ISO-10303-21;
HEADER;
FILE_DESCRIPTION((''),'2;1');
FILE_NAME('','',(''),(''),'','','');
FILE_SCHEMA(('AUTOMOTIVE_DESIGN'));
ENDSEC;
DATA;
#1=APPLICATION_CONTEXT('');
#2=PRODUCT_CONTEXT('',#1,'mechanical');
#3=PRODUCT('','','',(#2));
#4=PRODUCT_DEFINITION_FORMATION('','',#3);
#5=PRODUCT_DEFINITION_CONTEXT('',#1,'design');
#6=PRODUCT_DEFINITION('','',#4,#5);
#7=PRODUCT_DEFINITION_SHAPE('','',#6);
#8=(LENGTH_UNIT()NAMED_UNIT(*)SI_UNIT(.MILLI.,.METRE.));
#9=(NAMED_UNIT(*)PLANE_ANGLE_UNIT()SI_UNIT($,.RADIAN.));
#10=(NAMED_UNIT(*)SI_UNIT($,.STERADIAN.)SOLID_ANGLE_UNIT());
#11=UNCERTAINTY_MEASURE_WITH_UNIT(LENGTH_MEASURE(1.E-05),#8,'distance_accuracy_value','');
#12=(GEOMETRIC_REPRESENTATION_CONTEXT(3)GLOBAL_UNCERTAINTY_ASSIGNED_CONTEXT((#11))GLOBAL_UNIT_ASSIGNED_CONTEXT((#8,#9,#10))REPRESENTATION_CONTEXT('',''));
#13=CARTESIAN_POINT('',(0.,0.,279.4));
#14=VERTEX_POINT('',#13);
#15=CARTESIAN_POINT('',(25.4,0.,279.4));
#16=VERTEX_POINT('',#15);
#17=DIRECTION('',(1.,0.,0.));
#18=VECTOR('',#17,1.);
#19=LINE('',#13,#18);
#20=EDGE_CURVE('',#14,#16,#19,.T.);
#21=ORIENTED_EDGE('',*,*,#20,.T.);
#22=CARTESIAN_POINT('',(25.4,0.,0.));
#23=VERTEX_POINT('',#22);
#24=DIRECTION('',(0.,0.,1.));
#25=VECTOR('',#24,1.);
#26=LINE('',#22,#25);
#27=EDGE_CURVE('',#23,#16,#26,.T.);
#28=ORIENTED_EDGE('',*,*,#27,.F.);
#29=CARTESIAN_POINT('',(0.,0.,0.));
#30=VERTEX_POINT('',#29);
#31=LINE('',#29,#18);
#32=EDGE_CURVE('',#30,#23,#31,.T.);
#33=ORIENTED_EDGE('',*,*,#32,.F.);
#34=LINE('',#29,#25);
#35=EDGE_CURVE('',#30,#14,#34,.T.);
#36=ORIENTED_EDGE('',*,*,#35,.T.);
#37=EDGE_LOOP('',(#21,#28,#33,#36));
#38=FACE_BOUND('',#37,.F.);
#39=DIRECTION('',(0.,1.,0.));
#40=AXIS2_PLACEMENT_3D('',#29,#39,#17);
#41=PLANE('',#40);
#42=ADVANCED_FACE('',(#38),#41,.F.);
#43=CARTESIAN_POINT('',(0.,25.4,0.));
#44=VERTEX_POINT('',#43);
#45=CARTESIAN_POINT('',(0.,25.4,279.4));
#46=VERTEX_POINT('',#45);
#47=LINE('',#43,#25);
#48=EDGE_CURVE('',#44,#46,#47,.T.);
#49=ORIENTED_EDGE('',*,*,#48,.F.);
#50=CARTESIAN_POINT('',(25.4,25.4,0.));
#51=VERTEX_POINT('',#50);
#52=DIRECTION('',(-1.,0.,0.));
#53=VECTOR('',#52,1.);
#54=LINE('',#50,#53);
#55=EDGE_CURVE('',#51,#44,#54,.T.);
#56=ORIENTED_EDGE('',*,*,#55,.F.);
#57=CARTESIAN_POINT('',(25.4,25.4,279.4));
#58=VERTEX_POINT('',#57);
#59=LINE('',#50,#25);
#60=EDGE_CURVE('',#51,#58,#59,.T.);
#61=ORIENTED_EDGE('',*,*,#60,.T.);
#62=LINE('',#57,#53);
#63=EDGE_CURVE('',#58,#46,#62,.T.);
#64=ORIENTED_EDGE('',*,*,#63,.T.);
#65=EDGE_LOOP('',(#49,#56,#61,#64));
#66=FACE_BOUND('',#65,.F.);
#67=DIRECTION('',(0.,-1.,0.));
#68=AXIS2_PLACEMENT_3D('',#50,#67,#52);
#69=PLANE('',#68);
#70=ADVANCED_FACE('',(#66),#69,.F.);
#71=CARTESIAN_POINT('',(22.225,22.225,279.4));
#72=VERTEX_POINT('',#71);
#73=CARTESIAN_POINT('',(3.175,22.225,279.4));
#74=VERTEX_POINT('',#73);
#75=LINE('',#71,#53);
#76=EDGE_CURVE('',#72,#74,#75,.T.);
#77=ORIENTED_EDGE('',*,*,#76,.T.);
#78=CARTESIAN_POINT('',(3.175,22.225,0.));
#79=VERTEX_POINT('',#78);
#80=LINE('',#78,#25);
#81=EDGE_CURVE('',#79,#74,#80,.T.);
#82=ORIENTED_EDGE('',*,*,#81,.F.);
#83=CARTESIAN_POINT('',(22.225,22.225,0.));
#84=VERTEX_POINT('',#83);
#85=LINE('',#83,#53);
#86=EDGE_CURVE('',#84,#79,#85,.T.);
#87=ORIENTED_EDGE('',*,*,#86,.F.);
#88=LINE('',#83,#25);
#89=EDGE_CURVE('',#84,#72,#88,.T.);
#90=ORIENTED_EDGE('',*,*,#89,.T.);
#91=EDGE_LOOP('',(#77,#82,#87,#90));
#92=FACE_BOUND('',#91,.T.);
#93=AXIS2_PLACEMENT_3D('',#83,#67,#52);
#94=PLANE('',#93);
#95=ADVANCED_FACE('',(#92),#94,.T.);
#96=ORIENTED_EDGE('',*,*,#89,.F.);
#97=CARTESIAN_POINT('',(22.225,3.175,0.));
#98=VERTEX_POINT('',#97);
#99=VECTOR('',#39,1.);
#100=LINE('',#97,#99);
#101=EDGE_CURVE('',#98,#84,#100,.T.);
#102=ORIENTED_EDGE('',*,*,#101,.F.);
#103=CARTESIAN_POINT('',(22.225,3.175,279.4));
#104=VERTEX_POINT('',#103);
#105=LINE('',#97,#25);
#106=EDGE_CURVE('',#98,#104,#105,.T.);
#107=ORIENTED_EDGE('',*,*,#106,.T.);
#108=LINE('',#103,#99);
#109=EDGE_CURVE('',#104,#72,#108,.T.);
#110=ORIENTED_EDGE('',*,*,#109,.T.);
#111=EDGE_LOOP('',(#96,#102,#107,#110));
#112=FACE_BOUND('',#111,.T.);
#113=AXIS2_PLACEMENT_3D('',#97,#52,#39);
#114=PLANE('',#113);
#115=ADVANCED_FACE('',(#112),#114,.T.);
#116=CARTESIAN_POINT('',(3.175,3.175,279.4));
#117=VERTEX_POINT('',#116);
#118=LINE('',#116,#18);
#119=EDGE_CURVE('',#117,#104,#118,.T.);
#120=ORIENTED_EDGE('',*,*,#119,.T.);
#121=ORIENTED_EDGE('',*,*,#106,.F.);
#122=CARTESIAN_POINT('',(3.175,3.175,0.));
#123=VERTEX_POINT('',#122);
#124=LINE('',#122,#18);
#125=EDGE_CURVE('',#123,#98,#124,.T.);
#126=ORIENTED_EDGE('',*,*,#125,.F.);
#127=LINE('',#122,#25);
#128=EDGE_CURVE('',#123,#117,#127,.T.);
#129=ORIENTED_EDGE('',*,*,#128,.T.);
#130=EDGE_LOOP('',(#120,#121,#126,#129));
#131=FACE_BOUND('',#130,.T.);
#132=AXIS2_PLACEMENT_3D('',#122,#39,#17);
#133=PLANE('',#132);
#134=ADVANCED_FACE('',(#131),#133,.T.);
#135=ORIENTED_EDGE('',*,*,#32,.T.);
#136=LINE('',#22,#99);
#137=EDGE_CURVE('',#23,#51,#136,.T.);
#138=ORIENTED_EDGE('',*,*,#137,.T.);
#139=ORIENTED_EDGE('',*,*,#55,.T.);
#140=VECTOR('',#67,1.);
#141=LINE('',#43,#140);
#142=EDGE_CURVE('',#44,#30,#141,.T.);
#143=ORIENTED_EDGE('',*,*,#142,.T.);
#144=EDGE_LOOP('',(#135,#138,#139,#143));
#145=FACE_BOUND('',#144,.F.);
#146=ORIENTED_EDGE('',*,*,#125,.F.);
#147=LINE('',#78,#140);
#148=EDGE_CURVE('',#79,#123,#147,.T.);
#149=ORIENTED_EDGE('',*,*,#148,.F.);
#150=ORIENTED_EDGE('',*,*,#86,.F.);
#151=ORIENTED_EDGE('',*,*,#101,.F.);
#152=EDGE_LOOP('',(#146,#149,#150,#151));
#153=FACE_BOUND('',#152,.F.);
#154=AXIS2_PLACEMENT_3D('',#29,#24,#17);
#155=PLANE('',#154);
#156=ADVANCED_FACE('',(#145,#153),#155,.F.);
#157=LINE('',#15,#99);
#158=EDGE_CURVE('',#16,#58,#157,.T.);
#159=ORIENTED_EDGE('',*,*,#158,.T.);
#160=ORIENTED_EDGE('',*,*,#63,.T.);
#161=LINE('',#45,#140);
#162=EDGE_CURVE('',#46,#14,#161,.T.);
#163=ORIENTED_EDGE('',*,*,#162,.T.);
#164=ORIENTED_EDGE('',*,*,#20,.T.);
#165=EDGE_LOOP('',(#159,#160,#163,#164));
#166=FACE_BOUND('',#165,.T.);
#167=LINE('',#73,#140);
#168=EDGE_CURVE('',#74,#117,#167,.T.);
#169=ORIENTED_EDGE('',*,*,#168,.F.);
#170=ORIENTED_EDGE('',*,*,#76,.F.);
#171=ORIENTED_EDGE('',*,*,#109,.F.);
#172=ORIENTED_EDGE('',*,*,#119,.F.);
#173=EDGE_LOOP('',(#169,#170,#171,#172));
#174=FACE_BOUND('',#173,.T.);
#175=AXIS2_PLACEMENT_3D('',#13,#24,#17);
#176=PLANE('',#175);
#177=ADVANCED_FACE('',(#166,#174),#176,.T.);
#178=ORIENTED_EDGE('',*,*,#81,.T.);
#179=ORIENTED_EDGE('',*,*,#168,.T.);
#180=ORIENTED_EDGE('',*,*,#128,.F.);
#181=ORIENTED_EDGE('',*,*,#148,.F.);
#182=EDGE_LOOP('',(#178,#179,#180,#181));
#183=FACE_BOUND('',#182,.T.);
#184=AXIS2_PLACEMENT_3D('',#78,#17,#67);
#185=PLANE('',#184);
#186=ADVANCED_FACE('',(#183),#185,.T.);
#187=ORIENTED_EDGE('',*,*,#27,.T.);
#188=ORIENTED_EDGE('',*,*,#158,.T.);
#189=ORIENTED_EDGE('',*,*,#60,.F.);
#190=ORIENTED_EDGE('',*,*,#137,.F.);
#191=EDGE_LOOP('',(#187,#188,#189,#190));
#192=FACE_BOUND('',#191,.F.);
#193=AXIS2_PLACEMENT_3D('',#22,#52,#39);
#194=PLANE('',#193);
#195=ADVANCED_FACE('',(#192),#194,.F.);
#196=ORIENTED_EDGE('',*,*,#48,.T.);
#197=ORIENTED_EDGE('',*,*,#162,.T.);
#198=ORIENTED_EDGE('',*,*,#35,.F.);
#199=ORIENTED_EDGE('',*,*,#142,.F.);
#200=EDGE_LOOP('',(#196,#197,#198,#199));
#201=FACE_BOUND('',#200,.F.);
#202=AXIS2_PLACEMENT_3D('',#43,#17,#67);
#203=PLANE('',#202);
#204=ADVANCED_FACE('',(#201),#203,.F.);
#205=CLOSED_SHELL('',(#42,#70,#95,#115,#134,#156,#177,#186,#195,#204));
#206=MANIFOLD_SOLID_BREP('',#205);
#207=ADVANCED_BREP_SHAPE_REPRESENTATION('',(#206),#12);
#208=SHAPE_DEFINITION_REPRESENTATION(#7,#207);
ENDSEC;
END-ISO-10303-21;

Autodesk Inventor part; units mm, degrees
ref_plane "YZ Plane" through (0, 0, 0) normal (1, 0, 0) x (0, 1, 0)
ref_plane "XZ Plane" through (0, 0, 0) normal (0, 1, 0) x (-1, 0, 0)
ref_plane "XY Plane" through (0, 0, 0) normal (0, 0, 1) x (1, 0, 0)
sketch "Sketch1" plane through (0, 0, 0) normal (0, 0, 1) x (1, 0, 0)
  line L0 (0, 0) -> (25.4, 0)
  line L1 (25.4, 0) -> (25.4, 25.4)
  line L2 (25.4, 25.4) -> (0, 25.4)
  line L3 (0, 25.4) -> (0, 0)
  line L4 (3.175, 3.175) -> (22.225, 3.175)
  line L5 (22.225, 3.175) -> (22.225, 22.225)
  line L6 (22.225, 22.225) -> (3.175, 22.225)
  line L7 (3.175, 22.225) -> (3.175, 3.175)
  dimension "d0" = 3.175
  dimension "d1" = 3.175
  dimension "d2" = 3.175
  dimension "d3" = 3.175
  dimension "d4" = 25.4
  dimension "d5" = 25.4
extrude "Extrusion1" add sketch "Sketch1" along normal blind 279.4
properties part number "Cross bar1"
